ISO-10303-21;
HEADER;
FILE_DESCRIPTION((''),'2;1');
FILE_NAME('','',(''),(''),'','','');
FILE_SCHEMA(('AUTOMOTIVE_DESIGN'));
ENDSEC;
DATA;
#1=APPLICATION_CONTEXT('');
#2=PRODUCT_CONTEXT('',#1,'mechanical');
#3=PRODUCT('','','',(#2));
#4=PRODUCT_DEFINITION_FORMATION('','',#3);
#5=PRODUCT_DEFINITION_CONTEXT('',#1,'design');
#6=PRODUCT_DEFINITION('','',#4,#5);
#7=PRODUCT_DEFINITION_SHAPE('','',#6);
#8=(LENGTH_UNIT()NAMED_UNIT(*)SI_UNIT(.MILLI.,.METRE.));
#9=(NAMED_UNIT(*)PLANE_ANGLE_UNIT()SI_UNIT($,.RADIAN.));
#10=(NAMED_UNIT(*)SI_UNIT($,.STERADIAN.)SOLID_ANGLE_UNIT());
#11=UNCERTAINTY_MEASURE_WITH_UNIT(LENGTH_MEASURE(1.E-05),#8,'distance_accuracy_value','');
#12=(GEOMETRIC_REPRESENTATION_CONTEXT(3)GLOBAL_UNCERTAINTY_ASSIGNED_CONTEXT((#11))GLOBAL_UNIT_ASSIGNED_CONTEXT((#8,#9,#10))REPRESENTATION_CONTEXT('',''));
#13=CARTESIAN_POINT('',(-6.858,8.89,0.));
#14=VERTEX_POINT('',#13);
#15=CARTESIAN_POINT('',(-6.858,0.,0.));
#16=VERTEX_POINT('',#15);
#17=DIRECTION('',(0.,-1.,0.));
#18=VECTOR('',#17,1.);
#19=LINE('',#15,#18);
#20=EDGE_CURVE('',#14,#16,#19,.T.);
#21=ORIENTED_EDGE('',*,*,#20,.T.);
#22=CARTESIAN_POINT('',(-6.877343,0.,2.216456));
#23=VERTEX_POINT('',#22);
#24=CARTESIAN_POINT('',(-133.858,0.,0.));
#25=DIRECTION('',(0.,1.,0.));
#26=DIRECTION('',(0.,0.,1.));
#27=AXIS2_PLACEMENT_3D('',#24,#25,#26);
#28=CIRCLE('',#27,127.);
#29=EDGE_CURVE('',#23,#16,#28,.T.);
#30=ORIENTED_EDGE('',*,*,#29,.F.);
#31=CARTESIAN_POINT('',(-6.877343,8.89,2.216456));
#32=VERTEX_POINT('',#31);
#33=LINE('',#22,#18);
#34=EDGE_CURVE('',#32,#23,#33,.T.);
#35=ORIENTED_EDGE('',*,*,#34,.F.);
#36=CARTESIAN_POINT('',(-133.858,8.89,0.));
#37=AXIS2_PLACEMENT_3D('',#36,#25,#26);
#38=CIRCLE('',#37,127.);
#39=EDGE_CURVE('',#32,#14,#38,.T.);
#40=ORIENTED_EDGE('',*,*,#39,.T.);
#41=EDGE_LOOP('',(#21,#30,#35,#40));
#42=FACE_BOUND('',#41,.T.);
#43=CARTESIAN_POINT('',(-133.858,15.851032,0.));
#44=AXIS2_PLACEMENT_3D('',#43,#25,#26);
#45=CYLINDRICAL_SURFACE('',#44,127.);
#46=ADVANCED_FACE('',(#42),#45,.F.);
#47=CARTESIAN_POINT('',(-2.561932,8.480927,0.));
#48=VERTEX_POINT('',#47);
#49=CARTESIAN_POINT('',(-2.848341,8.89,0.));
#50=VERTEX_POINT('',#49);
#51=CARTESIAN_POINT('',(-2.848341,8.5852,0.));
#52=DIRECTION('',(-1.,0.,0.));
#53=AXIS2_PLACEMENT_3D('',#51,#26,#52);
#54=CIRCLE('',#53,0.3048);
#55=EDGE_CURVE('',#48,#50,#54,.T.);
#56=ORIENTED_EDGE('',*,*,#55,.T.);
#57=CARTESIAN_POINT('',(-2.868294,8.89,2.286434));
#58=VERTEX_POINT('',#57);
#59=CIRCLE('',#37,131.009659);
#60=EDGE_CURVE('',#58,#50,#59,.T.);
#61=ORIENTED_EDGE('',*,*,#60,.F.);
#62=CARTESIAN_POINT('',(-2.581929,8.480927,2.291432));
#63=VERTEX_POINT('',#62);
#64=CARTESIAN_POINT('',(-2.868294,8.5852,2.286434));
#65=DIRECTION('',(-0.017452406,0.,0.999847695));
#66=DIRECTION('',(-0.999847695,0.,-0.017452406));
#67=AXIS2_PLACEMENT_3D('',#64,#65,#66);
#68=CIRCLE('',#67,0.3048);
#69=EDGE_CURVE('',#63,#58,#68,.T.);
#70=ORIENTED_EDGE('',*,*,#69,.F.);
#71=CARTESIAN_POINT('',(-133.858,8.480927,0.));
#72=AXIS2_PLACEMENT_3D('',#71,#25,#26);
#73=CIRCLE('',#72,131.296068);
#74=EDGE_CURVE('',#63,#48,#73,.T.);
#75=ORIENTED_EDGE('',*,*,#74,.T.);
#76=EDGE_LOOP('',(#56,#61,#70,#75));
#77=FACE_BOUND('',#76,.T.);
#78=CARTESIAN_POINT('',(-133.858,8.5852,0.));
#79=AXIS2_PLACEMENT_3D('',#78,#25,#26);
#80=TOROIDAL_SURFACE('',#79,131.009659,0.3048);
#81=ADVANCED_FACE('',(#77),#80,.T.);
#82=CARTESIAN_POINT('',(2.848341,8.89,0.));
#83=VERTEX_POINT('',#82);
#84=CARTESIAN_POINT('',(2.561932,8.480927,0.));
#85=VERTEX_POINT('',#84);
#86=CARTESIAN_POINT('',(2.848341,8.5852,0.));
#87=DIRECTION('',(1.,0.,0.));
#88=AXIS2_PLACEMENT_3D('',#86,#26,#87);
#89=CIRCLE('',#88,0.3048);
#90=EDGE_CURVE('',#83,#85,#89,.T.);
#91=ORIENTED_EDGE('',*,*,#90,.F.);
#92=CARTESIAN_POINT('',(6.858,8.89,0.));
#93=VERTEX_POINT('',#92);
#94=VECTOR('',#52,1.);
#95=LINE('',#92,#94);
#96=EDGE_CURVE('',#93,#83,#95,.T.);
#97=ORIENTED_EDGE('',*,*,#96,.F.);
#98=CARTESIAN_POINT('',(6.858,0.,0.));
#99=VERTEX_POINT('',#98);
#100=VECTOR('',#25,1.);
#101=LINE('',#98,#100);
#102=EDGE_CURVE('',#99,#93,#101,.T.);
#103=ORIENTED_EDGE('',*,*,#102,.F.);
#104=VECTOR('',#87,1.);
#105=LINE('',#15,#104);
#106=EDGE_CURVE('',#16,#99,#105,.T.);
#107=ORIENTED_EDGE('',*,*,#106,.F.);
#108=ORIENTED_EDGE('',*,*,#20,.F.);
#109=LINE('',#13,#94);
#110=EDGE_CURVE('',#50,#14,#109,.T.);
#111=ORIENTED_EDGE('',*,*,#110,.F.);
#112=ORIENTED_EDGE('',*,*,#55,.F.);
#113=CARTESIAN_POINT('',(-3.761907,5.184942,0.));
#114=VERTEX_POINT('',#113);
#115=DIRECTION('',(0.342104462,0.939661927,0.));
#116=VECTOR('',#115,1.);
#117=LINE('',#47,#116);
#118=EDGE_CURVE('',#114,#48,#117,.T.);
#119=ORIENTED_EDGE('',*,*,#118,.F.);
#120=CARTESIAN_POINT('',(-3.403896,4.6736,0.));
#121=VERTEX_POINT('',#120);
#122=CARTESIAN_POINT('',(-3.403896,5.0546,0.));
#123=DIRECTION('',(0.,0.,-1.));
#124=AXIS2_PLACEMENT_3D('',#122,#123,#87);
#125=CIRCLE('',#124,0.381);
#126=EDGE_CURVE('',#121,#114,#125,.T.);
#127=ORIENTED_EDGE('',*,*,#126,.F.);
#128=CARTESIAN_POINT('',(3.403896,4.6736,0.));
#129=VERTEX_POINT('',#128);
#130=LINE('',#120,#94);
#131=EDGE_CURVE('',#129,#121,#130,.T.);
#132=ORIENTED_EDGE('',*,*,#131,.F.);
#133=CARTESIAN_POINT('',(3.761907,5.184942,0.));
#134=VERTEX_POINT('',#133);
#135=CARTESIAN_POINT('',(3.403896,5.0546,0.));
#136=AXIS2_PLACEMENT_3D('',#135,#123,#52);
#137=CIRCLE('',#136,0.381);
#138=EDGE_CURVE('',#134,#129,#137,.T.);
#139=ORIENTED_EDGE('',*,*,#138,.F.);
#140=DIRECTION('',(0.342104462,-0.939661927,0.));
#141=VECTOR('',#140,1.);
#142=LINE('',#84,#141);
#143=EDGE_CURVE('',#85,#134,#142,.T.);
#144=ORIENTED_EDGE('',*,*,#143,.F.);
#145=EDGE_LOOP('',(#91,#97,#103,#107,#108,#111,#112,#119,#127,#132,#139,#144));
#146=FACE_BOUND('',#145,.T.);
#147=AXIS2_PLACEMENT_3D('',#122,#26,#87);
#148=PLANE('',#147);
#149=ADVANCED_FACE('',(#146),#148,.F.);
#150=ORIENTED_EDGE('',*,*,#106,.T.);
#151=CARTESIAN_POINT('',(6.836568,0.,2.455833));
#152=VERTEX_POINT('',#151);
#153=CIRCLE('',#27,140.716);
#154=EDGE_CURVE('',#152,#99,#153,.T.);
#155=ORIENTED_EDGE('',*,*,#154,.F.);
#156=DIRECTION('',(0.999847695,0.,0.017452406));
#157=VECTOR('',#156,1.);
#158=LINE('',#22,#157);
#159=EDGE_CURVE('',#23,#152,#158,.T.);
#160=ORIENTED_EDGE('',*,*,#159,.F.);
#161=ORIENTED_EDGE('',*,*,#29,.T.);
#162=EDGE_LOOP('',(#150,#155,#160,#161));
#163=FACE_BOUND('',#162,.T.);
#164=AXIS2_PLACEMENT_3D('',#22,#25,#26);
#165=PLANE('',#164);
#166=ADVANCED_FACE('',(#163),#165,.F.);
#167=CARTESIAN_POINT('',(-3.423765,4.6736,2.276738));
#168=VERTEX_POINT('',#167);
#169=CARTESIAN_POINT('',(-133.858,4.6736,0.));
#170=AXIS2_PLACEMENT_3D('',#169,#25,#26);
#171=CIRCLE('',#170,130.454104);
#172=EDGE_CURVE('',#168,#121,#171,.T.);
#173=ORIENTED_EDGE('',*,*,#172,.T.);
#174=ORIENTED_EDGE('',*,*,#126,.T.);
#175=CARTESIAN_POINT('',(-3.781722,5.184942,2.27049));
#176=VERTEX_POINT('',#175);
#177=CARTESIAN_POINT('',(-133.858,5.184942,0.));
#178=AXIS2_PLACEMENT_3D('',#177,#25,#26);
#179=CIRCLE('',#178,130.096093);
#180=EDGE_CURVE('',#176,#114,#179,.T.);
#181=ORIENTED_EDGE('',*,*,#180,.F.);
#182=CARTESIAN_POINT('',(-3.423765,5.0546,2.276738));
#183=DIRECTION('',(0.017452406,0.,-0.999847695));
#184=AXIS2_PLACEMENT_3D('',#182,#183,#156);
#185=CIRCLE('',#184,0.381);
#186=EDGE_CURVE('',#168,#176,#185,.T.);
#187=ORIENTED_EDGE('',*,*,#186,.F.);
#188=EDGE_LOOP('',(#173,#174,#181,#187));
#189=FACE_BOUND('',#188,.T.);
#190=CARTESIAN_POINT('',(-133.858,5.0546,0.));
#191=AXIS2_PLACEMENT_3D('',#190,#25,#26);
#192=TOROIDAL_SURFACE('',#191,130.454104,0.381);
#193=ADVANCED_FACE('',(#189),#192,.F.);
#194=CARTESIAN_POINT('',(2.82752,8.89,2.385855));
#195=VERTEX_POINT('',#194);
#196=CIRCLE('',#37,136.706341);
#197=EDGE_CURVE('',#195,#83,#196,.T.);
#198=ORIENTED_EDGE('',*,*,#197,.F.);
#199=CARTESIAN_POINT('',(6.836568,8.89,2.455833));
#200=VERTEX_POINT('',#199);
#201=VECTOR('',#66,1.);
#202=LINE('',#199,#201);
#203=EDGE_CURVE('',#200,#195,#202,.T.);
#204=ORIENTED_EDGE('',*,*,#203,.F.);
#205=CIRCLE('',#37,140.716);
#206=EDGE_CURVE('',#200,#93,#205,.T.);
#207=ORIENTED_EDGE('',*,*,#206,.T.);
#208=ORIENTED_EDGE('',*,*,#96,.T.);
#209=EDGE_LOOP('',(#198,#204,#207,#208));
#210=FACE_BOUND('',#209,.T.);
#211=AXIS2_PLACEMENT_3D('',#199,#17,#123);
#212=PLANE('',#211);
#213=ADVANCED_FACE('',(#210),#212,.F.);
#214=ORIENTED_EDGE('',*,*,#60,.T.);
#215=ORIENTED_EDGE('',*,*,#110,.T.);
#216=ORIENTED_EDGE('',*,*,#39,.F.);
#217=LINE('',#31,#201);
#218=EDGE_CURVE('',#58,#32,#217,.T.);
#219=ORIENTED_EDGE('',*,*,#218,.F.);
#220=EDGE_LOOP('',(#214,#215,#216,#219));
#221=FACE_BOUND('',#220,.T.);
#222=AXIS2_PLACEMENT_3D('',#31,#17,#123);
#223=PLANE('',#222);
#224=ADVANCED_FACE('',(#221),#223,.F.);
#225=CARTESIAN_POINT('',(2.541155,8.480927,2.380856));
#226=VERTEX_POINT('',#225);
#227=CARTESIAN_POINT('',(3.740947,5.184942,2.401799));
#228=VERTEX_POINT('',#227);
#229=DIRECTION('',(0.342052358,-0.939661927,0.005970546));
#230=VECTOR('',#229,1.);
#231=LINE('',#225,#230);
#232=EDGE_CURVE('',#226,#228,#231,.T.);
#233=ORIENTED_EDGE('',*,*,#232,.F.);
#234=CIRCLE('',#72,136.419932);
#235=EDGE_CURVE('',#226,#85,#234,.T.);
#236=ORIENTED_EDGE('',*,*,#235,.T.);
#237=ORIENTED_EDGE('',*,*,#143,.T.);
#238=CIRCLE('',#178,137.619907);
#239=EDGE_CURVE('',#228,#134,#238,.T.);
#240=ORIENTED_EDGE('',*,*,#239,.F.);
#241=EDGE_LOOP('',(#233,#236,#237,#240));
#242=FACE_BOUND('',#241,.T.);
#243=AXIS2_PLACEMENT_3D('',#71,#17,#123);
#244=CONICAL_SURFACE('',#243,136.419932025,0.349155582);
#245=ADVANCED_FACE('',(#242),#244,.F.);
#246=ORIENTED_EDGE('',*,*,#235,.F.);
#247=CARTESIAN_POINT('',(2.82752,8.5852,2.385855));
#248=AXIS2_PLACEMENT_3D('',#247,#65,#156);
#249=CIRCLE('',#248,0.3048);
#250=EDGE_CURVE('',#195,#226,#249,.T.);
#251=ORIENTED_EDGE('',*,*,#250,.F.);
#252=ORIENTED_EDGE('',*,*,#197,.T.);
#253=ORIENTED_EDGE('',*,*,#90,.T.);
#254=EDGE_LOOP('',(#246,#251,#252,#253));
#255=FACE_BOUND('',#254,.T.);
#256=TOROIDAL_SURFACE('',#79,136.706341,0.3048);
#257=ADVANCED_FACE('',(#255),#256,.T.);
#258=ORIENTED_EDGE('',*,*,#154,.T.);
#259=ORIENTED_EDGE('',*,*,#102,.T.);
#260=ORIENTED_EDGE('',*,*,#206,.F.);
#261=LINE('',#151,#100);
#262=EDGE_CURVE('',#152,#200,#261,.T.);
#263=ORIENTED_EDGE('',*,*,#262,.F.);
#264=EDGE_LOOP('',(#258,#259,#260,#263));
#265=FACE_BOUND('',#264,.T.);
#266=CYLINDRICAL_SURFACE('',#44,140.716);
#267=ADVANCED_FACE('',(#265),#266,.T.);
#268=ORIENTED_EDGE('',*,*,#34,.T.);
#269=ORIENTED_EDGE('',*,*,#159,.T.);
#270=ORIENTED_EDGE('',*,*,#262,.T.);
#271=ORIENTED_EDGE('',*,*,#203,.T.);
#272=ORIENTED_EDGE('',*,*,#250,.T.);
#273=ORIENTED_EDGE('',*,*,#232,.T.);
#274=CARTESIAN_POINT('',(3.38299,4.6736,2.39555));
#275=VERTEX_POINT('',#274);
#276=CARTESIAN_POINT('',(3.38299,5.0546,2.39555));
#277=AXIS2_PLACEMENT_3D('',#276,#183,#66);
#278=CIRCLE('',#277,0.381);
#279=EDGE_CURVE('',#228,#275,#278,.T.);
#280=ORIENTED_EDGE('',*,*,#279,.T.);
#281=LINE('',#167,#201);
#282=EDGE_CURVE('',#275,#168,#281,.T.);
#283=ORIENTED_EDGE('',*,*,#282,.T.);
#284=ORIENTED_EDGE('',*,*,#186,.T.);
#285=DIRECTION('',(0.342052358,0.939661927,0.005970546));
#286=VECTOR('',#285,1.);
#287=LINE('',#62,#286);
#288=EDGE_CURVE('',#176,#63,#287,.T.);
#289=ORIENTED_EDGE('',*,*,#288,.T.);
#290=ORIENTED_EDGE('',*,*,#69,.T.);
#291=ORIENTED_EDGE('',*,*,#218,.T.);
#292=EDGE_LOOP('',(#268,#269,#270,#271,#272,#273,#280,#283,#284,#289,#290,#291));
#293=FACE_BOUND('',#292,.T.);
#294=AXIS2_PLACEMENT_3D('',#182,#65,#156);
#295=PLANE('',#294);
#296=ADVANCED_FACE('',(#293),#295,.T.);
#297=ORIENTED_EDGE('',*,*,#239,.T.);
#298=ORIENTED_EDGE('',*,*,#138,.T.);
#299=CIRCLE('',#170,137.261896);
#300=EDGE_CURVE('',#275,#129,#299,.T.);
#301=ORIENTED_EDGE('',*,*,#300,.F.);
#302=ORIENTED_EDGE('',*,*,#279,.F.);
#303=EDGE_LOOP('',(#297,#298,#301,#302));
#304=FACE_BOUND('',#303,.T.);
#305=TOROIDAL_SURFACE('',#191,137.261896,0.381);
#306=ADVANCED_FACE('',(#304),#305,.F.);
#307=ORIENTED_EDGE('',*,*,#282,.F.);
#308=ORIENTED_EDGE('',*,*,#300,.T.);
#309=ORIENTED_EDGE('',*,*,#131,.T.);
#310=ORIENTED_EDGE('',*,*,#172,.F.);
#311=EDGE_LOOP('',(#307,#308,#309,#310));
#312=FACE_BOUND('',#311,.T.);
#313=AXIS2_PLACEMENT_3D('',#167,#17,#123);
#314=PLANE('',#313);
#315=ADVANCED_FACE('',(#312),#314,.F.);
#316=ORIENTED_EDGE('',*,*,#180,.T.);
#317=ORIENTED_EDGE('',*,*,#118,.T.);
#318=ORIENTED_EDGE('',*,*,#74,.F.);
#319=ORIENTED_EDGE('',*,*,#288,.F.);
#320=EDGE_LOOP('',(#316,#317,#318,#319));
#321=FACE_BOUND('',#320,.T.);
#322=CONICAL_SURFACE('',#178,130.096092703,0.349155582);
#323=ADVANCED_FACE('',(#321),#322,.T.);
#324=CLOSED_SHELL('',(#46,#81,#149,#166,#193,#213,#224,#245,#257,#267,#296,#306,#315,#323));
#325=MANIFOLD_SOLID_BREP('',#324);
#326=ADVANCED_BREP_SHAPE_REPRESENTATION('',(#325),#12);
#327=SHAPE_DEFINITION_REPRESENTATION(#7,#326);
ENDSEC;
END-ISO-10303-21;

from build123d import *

# Parameters (mm, degrees)
REVOLVE1_ANGLE = 1


with BuildPart() as part:
    # Sketch1 → Revolve1 (revolve)
    with BuildSketch(Plane.XY):
        with BuildLine():
            Line((-6.858, 0), (6.858, 0))
            Line((6.858, 0), (6.858, 8.89))
            Line((6.858, 8.89), (2.848341014, 8.89))
            ThreePointArc((2.848341014, 8.89), (2.598655598, 8.76001488), (2.561932025, 8.480926511))
            Line((2.561932025, 8.480926511), (3.761907297, 5.1849418))
            ThreePointArc((3.761907297, 5.1849418), (3.716002836, 4.83608138), (3.403896102, 4.6736))
            Line((3.403896102, 4.6736), (-3.403896102, 4.6736))
            ThreePointArc((-3.403896102, 4.6736), (-3.716002836, 4.83608138), (-3.761907297, 5.1849418))
            Line((-3.761907297, 5.1849418), (-2.561932025, 8.480926511))
            ThreePointArc((-2.561932025, 8.480926511), (-2.598655598, 8.76001488), (-2.848341014, 8.89))
            Line((-2.848341014, 8.89), (-6.858, 8.89))
            Line((-6.858, 8.89), (-6.858, 0))
        make_face()
    revolve(axis=Axis((-133.858, 15.851032083, 0), (0, -1, 0)), revolution_arc=REVOLVE1_ANGLE)


solid = part.part
